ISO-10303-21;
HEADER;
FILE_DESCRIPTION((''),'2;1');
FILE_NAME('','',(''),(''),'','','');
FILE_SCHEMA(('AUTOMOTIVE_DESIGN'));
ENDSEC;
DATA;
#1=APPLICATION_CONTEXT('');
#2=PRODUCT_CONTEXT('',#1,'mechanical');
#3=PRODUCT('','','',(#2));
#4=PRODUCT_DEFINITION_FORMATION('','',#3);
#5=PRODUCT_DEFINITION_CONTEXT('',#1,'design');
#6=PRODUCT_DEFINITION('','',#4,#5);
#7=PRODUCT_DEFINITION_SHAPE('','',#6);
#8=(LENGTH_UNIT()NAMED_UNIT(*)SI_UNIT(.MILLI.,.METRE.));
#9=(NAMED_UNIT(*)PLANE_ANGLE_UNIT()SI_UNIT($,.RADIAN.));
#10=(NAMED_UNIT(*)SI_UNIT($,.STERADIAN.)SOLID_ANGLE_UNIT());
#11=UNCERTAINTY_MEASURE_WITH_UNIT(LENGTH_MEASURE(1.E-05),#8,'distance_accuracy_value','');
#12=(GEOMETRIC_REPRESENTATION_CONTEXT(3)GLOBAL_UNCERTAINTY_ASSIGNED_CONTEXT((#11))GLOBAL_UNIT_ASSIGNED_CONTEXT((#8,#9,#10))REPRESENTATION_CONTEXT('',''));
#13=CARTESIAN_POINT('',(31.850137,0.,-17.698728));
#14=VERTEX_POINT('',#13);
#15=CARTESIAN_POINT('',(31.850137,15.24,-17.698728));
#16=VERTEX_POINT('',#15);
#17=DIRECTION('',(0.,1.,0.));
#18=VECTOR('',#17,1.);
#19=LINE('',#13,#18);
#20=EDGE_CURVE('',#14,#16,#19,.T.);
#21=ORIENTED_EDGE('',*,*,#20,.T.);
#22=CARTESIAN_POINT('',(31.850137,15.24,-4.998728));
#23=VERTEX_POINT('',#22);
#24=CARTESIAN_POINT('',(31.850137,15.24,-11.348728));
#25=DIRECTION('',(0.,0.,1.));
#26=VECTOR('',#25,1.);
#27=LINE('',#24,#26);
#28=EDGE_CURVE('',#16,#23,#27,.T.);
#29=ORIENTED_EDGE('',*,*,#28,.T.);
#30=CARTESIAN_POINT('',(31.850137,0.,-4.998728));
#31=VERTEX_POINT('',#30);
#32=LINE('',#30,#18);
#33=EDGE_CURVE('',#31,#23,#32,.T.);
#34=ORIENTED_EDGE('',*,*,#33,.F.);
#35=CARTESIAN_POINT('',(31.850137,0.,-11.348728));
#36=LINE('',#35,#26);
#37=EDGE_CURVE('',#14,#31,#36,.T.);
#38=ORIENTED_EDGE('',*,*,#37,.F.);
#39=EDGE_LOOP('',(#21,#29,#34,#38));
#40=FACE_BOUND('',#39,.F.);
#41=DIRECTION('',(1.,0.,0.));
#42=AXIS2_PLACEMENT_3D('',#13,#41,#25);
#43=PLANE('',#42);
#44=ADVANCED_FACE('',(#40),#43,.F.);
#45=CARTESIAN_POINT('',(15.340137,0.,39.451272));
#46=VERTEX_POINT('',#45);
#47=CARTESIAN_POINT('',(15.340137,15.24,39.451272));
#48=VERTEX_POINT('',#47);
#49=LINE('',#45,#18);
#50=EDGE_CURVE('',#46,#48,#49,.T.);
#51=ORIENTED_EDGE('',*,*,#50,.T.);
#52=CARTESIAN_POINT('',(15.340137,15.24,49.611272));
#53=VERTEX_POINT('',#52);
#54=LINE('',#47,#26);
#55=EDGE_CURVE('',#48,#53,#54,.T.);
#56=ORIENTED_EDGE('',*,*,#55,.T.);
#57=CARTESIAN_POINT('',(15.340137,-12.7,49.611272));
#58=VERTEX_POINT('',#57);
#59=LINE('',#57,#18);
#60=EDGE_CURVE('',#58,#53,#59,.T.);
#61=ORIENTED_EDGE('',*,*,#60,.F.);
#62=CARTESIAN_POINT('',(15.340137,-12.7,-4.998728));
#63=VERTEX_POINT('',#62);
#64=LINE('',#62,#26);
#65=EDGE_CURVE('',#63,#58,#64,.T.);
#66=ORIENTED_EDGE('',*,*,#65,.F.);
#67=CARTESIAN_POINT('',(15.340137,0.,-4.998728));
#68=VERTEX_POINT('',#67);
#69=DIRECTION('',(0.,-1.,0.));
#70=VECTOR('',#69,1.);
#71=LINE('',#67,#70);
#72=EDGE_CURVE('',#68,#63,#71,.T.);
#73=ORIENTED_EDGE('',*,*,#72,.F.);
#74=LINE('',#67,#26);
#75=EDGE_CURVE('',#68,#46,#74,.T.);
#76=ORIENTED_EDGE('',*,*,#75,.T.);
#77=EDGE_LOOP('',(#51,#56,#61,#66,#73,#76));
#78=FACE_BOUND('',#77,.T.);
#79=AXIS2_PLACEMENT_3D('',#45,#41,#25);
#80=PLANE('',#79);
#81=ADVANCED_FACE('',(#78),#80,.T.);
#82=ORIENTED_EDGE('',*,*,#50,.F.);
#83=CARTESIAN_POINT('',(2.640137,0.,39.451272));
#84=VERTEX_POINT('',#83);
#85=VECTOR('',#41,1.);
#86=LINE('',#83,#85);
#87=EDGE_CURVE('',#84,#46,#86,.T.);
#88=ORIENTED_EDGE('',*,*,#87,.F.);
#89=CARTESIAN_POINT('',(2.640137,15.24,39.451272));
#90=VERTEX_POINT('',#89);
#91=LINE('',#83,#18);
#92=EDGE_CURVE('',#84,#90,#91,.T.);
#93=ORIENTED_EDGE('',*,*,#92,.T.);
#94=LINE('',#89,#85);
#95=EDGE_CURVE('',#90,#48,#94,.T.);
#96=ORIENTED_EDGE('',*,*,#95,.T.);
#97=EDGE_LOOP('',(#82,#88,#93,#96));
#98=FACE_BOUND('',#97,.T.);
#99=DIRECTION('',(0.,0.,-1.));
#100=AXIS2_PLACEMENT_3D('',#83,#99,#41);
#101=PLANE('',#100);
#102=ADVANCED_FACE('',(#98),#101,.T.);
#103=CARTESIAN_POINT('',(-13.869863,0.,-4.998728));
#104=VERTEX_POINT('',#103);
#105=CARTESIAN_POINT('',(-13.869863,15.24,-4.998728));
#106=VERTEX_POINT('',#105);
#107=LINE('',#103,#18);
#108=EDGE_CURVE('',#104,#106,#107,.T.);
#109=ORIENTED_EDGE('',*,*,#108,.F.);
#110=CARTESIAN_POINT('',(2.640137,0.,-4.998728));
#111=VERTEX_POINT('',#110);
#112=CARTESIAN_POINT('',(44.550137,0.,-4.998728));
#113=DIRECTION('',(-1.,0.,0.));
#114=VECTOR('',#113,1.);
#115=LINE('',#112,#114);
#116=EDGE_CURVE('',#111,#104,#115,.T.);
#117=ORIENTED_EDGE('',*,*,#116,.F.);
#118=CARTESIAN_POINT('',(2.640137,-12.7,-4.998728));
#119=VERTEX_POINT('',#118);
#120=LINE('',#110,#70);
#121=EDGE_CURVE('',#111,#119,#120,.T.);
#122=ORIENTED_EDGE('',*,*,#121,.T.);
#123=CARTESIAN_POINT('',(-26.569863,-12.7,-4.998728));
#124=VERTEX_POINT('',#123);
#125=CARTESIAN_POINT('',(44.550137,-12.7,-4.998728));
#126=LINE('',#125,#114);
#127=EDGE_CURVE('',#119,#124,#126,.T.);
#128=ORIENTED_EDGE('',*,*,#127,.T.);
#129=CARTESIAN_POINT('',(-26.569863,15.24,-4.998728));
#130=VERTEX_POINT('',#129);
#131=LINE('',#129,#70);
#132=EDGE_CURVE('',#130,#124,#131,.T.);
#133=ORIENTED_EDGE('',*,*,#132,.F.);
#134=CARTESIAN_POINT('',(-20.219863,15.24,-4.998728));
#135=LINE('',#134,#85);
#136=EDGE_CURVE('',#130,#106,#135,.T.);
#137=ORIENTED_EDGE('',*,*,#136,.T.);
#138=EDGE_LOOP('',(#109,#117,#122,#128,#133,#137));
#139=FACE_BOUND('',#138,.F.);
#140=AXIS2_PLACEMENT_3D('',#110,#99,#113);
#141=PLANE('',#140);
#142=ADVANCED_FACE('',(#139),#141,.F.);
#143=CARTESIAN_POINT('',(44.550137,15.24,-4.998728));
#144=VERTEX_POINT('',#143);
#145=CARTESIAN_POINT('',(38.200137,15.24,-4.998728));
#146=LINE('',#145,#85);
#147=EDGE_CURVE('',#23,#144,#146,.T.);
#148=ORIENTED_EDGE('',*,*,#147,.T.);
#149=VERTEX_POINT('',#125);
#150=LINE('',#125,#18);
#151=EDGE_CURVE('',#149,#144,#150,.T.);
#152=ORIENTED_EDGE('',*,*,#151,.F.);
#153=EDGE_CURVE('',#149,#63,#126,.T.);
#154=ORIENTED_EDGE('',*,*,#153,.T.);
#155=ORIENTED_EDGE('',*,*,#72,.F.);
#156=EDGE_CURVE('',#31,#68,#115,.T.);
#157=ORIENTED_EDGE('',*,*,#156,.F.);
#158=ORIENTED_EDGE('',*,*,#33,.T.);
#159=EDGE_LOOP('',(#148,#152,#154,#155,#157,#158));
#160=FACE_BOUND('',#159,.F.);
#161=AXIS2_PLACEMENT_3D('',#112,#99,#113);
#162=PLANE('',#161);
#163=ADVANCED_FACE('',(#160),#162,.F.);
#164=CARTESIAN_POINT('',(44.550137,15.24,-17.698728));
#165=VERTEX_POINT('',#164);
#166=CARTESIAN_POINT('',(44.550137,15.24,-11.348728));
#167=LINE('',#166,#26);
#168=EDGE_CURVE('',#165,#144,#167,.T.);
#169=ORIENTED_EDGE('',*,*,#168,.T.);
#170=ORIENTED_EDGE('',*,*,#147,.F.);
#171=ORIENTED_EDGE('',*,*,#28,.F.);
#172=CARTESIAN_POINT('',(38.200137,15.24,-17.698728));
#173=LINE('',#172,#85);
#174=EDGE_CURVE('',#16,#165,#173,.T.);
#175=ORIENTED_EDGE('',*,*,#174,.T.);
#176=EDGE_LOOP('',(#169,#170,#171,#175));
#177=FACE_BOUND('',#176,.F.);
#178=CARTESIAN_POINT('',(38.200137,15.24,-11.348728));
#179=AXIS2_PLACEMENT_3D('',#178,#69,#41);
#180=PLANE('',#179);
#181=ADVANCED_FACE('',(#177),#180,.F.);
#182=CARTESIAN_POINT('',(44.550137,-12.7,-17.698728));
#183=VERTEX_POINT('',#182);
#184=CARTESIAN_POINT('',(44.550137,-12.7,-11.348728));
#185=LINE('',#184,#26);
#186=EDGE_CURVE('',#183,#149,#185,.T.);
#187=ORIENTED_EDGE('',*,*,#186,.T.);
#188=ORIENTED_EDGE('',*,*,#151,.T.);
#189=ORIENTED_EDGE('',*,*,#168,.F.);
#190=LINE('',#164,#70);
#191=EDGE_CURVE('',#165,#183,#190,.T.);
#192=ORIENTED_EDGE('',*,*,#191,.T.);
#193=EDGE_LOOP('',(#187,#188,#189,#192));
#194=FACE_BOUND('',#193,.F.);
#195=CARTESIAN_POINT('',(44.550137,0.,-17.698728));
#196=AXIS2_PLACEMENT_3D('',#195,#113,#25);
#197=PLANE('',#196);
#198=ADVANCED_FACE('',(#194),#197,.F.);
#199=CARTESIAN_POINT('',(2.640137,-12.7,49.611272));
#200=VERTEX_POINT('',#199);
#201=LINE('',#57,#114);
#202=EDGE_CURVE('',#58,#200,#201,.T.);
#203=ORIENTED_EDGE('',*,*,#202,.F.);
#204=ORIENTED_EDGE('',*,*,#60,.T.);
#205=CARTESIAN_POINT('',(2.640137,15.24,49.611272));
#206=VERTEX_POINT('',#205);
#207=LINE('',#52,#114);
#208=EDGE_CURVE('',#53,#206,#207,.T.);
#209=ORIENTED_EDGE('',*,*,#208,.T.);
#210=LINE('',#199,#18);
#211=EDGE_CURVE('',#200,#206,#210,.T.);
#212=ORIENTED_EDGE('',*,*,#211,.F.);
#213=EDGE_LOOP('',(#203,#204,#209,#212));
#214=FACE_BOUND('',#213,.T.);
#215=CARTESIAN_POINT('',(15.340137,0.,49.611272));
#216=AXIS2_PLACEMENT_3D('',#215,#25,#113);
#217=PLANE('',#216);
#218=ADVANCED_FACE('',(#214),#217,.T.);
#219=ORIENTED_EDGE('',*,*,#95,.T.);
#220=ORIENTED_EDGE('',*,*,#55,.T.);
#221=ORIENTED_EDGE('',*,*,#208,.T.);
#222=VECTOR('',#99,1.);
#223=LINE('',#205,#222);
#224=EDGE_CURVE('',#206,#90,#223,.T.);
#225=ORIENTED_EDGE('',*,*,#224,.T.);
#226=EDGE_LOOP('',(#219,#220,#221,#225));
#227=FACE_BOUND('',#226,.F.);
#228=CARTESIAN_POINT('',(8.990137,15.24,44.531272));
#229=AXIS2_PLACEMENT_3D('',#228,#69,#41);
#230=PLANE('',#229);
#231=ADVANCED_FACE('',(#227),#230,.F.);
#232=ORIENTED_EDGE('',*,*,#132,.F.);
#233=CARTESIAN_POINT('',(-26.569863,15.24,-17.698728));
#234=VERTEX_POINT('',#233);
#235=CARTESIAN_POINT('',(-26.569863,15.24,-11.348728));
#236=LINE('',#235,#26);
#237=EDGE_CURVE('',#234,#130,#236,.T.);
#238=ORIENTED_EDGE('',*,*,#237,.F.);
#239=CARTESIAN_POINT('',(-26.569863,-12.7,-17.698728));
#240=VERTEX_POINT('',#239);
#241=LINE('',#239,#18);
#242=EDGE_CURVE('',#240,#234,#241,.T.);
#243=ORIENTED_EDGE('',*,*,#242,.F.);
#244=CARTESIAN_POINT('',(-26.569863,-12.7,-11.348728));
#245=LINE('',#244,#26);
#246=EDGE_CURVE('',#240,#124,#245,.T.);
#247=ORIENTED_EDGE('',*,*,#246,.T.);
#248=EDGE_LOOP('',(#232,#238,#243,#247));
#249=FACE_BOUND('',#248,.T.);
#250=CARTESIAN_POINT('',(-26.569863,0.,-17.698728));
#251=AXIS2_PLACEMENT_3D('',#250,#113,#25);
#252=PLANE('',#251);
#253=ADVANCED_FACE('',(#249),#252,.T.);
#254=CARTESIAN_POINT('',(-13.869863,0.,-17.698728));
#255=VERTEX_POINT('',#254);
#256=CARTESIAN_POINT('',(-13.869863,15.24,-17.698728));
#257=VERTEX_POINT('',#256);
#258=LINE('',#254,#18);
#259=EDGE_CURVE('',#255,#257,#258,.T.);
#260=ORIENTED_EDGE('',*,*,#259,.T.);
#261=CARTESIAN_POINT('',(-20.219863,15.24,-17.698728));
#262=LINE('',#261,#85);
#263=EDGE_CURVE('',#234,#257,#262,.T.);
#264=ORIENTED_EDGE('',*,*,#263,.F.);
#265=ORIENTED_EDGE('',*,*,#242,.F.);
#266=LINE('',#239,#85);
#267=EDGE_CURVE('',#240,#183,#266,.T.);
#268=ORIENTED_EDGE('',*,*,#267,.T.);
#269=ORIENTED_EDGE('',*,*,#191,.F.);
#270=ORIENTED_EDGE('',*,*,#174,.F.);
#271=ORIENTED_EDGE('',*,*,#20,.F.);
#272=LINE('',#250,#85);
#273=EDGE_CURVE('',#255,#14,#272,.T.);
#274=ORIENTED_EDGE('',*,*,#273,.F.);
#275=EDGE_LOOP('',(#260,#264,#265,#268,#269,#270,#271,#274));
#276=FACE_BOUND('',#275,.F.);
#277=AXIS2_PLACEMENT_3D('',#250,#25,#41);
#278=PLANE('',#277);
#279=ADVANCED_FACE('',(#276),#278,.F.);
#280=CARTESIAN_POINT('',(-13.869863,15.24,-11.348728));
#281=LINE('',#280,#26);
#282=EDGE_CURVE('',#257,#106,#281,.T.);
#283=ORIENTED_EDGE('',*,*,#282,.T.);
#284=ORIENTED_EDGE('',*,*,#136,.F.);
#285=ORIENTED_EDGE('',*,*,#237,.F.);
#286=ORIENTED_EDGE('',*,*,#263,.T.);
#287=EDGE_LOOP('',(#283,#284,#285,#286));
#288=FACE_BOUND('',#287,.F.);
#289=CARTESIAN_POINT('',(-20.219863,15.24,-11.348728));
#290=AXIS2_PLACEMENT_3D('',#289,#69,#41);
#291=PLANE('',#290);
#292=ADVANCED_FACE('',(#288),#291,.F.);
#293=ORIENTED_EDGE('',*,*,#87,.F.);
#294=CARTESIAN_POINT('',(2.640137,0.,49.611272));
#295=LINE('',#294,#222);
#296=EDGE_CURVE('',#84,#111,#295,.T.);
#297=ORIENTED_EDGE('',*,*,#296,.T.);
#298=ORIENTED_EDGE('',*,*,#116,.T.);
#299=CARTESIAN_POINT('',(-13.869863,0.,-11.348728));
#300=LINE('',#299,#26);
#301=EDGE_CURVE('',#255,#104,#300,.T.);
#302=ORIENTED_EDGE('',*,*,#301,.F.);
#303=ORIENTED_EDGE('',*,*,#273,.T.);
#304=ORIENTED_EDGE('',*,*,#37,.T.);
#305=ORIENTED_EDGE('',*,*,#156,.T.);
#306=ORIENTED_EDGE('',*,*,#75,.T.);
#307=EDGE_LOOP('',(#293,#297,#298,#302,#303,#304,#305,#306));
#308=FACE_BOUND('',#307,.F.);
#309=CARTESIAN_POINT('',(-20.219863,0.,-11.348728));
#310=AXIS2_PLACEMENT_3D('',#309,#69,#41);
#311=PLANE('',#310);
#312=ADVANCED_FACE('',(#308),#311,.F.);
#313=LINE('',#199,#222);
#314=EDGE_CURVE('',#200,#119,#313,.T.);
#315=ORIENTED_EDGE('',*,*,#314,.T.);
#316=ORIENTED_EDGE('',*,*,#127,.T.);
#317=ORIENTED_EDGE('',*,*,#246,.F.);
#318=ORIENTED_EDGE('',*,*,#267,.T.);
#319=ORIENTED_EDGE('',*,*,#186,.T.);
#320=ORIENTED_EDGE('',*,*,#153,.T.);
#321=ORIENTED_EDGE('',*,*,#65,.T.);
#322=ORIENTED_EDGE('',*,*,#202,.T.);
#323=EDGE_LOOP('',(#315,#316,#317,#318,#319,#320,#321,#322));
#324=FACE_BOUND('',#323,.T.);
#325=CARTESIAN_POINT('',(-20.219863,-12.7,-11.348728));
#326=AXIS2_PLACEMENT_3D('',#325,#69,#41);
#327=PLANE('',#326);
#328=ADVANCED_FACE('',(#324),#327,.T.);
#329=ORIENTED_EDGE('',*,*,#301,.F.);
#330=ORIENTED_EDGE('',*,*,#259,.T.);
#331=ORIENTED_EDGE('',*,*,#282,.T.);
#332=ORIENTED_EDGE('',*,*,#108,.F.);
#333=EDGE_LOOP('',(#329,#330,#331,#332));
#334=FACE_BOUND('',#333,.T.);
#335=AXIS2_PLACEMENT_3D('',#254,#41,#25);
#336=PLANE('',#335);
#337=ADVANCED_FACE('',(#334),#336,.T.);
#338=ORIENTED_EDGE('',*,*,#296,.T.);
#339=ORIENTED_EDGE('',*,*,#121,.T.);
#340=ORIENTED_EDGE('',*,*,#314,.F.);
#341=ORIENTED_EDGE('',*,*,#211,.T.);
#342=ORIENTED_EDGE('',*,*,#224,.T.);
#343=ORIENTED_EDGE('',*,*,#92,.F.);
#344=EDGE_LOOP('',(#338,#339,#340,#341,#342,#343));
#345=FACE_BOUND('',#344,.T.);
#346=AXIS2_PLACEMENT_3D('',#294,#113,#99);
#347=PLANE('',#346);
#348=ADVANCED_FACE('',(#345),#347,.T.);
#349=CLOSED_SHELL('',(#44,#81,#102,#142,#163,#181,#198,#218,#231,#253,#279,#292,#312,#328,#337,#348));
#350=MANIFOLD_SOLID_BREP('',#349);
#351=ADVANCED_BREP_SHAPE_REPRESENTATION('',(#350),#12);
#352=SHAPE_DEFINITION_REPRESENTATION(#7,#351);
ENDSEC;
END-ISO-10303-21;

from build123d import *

# Parameters (mm, degrees)
F0_W     = 12.7
F0_H     = 12.7
F0_W_2   = 6.35
F0_H_2   = 17.78
F1_DEPTH = 12.7
F2_DEPTH = 15.24


with BuildPart() as f1:
    # F0 (on Front) → F1 (new body)
    with BuildSketch(Plane.XZ):
        with Locations((-20.219863, -11.348728)):
            Rectangle(F0_W, F0_H)
        with Locations((38.200137, -11.348728)):
            Rectangle(F0_W, F0_H)
        Polygon((2.640137, -4.998728), (-13.869863, -4.998728), (-13.869863, -17.698728), (31.850137, -17.698728), (31.850137, -4.998728), (15.340137, -4.998728), align=None)
        Polygon((8.990137, 21.671272), (2.640137, 21.671272), (2.640137, -4.998728), (15.340137, -4.998728), (15.340137, 21.671272), align=None)
        with Locations((12.165137, 30.561272)):
            Rectangle(F0_W_2, F0_H_2)
        with Locations((5.815137, 30.561272)):
            Rectangle(F0_W_2, F0_H_2)
        Polygon((2.640137, 49.611272), (2.640137, 39.451272), (8.990137, 39.451272), (15.340137, 39.451272), (15.340137, 49.611272), align=None)
    extrude(amount=F1_DEPTH)

    # F0 (on Front) → F2 (join)
    with BuildSketch(Plane.XZ):
        Polygon((2.640137, 49.611272), (2.640137, 39.451272), (8.990137, 39.451272), (15.340137, 39.451272), (15.340137, 49.611272), align=None)
        with Locations((-20.219863, -11.348728)):
            Rectangle(F0_W, F0_H)
        with Locations((38.200137, -11.348728)):
            Rectangle(F0_W, F0_H)
    extrude(amount=-F2_DEPTH)


solid = f1.part
